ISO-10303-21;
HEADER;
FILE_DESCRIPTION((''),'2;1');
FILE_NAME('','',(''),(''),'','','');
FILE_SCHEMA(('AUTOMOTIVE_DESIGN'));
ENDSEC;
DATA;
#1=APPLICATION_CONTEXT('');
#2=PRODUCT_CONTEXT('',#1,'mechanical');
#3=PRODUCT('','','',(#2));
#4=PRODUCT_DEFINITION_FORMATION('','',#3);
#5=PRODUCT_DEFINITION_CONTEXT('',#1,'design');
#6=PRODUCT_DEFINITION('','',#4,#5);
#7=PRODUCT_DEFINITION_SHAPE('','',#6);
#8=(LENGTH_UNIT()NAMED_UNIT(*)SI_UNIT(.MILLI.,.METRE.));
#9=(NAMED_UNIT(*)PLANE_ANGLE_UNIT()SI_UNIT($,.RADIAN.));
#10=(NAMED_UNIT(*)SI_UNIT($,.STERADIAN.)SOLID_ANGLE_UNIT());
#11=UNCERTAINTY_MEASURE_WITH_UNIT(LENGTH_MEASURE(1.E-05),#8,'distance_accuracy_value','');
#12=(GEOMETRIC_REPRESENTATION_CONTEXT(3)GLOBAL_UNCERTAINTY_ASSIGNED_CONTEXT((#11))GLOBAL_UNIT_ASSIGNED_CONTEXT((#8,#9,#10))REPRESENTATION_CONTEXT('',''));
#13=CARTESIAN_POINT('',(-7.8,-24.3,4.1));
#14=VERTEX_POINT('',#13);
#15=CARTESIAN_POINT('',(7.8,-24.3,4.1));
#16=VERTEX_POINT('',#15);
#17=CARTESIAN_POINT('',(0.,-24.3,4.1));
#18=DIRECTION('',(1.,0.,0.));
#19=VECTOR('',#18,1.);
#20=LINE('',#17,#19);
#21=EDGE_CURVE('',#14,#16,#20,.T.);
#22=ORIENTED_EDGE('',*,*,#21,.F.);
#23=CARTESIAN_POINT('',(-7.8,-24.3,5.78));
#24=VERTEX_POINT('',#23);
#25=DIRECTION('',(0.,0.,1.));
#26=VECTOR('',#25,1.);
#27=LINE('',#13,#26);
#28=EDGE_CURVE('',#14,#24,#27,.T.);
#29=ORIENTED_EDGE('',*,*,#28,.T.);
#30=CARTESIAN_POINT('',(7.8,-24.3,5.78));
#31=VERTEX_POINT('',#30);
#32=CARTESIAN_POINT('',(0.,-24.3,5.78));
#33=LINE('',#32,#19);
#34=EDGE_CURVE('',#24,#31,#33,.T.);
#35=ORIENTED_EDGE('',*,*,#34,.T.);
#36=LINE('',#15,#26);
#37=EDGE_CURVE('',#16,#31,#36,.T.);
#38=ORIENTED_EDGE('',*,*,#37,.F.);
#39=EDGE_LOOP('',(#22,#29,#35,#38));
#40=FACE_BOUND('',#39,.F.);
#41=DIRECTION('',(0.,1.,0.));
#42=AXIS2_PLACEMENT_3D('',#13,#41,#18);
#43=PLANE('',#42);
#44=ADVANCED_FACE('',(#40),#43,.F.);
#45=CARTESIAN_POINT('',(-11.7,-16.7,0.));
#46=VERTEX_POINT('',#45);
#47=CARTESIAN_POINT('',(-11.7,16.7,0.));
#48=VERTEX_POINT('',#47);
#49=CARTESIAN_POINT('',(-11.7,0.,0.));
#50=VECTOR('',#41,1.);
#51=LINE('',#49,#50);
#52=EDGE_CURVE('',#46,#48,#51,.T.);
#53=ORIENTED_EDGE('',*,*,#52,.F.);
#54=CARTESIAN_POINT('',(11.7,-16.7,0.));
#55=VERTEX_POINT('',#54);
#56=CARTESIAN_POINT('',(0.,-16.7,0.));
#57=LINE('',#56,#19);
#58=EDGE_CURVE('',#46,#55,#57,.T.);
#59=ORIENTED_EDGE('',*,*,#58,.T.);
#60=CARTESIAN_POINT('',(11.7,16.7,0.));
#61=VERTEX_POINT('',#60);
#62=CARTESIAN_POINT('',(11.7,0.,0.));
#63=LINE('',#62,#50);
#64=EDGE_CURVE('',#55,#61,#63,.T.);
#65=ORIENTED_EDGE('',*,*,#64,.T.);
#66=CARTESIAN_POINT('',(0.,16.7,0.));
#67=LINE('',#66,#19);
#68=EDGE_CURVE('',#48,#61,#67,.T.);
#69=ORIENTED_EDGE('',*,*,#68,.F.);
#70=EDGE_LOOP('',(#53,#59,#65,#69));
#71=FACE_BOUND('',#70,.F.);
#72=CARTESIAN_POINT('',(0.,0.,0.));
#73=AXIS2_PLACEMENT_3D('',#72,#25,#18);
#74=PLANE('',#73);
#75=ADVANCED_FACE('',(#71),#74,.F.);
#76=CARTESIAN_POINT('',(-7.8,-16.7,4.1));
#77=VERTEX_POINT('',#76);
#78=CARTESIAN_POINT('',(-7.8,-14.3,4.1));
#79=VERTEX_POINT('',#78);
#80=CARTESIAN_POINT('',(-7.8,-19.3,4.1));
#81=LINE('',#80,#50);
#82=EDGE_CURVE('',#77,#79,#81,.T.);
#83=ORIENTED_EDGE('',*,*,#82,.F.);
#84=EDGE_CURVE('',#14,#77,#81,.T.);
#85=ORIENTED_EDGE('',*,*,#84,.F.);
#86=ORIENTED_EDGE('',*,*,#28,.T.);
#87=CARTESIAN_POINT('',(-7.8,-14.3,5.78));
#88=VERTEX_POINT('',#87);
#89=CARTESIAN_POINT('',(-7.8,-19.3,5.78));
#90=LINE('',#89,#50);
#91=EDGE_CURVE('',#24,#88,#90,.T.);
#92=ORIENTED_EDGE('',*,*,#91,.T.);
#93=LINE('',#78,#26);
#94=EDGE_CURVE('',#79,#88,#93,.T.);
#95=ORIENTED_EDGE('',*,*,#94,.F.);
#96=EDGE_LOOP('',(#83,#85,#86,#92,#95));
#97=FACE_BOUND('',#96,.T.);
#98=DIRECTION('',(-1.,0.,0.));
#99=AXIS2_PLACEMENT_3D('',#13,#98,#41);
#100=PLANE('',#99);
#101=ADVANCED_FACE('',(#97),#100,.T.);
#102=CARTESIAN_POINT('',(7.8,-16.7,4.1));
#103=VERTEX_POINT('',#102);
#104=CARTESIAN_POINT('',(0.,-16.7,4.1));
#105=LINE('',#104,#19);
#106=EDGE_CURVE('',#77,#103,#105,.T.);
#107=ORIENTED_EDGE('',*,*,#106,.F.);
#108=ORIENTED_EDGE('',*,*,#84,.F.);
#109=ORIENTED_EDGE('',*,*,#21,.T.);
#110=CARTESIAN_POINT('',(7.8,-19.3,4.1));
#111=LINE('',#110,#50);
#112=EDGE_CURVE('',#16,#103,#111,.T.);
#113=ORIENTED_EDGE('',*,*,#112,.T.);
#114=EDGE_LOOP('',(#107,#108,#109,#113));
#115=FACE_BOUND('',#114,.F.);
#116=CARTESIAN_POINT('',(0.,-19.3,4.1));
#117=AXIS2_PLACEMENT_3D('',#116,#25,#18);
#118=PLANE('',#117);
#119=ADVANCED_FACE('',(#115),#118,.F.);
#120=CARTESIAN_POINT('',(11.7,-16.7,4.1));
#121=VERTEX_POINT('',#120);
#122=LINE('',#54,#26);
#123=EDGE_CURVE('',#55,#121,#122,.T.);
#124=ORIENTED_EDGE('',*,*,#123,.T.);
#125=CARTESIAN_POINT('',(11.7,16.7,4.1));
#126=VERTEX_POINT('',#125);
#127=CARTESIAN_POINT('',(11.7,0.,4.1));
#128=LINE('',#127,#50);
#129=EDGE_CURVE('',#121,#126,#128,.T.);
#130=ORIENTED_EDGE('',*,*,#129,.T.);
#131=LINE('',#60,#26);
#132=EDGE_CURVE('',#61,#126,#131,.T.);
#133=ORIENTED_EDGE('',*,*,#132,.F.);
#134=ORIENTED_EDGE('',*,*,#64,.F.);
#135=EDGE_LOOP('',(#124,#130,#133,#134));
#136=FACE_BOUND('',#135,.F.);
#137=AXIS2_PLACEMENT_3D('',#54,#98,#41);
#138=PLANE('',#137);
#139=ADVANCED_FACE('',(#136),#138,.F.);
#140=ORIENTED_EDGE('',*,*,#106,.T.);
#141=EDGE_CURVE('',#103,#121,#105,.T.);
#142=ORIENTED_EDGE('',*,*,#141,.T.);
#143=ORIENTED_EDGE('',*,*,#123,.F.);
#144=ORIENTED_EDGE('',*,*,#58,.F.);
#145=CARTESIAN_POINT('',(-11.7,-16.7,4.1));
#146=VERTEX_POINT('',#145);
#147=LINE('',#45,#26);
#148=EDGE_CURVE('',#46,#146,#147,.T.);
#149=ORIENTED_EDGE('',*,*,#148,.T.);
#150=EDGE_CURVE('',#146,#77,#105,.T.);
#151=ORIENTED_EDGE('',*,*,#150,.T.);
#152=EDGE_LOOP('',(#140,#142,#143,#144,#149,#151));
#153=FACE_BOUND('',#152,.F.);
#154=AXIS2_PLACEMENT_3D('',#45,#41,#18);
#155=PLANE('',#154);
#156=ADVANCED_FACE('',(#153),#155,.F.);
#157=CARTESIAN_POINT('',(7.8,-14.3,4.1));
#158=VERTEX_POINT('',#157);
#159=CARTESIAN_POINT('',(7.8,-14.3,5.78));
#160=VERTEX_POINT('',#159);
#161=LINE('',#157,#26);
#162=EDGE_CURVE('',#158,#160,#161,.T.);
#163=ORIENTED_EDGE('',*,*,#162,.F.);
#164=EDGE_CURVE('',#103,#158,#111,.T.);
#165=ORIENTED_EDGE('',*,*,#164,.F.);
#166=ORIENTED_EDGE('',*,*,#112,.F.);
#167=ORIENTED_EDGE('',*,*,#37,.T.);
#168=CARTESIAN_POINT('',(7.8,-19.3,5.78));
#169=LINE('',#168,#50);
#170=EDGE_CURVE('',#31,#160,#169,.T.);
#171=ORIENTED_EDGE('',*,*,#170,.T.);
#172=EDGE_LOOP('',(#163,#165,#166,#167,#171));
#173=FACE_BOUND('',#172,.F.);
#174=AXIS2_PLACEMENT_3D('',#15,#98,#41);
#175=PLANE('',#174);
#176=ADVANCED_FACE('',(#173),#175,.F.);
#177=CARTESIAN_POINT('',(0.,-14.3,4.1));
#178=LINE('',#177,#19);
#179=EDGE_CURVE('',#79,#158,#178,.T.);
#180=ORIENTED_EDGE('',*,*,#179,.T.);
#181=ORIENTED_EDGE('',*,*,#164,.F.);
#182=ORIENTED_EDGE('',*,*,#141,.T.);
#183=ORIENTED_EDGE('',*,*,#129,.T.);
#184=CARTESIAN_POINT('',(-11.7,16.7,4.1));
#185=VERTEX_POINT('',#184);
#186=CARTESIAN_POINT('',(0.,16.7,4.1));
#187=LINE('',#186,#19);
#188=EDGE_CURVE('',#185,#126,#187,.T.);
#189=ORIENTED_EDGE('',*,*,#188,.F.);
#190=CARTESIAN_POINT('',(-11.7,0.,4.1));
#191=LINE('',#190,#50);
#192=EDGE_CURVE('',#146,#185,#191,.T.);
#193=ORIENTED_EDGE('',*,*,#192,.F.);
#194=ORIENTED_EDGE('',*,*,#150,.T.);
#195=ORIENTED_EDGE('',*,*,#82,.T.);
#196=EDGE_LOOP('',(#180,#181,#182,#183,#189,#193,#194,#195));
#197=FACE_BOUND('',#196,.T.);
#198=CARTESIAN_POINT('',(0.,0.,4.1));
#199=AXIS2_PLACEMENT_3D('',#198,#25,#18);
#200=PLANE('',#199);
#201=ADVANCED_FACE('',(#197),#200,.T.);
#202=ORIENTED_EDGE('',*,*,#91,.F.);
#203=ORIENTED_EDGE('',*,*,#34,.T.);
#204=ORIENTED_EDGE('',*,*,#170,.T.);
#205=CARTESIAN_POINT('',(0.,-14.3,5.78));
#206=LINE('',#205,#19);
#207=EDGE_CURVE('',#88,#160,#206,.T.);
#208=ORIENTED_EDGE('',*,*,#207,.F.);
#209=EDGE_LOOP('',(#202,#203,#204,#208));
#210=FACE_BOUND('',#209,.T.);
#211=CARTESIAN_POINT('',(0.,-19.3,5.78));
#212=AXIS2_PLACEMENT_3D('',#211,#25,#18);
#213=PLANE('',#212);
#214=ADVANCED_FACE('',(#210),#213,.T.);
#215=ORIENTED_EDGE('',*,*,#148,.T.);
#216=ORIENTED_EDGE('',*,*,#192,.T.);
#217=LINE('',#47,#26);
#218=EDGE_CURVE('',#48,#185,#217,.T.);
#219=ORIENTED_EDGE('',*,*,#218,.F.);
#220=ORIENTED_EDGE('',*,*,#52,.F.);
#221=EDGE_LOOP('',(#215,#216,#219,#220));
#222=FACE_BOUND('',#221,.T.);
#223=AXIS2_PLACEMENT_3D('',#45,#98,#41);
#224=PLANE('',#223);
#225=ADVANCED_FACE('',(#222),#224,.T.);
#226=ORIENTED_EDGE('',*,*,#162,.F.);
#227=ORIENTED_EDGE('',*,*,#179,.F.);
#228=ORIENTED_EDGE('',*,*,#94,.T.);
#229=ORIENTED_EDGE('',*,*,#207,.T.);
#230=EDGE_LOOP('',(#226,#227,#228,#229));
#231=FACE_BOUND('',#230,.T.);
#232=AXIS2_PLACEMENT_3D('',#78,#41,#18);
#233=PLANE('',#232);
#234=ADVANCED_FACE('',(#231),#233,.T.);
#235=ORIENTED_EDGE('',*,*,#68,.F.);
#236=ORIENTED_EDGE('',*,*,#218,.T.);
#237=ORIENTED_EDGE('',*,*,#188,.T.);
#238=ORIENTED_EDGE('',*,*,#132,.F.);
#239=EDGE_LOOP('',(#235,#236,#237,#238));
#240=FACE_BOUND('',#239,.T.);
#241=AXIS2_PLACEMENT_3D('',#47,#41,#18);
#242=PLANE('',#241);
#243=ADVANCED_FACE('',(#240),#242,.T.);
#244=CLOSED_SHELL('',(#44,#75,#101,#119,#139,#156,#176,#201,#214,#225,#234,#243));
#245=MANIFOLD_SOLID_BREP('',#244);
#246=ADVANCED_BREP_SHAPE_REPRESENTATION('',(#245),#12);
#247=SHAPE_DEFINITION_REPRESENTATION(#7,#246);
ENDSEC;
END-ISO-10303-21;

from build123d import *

# Parameters (mm, degrees)
SKETCH_W     = 23.4
SKETCH_H     = 33.4
PAD_DEPTH    = 4.1
SKETCH001_W  = 15.6
SKETCH001_H  = 10
PAD001_DEPTH = 1.68


with BuildPart() as part:
    # Sketch → Pad (new body)
    with BuildSketch(Plane.XY):
        Rectangle(SKETCH_W, SKETCH_H)
    extrude(amount=PAD_DEPTH)

    # Sketch001 → Pad001 (new body)
    with BuildSketch(Plane.XY.offset(4.1)):
        with Locations((0, -19.3)):
            Rectangle(SKETCH001_W, SKETCH001_H)
    extrude(amount=PAD001_DEPTH)


solid = part.part
